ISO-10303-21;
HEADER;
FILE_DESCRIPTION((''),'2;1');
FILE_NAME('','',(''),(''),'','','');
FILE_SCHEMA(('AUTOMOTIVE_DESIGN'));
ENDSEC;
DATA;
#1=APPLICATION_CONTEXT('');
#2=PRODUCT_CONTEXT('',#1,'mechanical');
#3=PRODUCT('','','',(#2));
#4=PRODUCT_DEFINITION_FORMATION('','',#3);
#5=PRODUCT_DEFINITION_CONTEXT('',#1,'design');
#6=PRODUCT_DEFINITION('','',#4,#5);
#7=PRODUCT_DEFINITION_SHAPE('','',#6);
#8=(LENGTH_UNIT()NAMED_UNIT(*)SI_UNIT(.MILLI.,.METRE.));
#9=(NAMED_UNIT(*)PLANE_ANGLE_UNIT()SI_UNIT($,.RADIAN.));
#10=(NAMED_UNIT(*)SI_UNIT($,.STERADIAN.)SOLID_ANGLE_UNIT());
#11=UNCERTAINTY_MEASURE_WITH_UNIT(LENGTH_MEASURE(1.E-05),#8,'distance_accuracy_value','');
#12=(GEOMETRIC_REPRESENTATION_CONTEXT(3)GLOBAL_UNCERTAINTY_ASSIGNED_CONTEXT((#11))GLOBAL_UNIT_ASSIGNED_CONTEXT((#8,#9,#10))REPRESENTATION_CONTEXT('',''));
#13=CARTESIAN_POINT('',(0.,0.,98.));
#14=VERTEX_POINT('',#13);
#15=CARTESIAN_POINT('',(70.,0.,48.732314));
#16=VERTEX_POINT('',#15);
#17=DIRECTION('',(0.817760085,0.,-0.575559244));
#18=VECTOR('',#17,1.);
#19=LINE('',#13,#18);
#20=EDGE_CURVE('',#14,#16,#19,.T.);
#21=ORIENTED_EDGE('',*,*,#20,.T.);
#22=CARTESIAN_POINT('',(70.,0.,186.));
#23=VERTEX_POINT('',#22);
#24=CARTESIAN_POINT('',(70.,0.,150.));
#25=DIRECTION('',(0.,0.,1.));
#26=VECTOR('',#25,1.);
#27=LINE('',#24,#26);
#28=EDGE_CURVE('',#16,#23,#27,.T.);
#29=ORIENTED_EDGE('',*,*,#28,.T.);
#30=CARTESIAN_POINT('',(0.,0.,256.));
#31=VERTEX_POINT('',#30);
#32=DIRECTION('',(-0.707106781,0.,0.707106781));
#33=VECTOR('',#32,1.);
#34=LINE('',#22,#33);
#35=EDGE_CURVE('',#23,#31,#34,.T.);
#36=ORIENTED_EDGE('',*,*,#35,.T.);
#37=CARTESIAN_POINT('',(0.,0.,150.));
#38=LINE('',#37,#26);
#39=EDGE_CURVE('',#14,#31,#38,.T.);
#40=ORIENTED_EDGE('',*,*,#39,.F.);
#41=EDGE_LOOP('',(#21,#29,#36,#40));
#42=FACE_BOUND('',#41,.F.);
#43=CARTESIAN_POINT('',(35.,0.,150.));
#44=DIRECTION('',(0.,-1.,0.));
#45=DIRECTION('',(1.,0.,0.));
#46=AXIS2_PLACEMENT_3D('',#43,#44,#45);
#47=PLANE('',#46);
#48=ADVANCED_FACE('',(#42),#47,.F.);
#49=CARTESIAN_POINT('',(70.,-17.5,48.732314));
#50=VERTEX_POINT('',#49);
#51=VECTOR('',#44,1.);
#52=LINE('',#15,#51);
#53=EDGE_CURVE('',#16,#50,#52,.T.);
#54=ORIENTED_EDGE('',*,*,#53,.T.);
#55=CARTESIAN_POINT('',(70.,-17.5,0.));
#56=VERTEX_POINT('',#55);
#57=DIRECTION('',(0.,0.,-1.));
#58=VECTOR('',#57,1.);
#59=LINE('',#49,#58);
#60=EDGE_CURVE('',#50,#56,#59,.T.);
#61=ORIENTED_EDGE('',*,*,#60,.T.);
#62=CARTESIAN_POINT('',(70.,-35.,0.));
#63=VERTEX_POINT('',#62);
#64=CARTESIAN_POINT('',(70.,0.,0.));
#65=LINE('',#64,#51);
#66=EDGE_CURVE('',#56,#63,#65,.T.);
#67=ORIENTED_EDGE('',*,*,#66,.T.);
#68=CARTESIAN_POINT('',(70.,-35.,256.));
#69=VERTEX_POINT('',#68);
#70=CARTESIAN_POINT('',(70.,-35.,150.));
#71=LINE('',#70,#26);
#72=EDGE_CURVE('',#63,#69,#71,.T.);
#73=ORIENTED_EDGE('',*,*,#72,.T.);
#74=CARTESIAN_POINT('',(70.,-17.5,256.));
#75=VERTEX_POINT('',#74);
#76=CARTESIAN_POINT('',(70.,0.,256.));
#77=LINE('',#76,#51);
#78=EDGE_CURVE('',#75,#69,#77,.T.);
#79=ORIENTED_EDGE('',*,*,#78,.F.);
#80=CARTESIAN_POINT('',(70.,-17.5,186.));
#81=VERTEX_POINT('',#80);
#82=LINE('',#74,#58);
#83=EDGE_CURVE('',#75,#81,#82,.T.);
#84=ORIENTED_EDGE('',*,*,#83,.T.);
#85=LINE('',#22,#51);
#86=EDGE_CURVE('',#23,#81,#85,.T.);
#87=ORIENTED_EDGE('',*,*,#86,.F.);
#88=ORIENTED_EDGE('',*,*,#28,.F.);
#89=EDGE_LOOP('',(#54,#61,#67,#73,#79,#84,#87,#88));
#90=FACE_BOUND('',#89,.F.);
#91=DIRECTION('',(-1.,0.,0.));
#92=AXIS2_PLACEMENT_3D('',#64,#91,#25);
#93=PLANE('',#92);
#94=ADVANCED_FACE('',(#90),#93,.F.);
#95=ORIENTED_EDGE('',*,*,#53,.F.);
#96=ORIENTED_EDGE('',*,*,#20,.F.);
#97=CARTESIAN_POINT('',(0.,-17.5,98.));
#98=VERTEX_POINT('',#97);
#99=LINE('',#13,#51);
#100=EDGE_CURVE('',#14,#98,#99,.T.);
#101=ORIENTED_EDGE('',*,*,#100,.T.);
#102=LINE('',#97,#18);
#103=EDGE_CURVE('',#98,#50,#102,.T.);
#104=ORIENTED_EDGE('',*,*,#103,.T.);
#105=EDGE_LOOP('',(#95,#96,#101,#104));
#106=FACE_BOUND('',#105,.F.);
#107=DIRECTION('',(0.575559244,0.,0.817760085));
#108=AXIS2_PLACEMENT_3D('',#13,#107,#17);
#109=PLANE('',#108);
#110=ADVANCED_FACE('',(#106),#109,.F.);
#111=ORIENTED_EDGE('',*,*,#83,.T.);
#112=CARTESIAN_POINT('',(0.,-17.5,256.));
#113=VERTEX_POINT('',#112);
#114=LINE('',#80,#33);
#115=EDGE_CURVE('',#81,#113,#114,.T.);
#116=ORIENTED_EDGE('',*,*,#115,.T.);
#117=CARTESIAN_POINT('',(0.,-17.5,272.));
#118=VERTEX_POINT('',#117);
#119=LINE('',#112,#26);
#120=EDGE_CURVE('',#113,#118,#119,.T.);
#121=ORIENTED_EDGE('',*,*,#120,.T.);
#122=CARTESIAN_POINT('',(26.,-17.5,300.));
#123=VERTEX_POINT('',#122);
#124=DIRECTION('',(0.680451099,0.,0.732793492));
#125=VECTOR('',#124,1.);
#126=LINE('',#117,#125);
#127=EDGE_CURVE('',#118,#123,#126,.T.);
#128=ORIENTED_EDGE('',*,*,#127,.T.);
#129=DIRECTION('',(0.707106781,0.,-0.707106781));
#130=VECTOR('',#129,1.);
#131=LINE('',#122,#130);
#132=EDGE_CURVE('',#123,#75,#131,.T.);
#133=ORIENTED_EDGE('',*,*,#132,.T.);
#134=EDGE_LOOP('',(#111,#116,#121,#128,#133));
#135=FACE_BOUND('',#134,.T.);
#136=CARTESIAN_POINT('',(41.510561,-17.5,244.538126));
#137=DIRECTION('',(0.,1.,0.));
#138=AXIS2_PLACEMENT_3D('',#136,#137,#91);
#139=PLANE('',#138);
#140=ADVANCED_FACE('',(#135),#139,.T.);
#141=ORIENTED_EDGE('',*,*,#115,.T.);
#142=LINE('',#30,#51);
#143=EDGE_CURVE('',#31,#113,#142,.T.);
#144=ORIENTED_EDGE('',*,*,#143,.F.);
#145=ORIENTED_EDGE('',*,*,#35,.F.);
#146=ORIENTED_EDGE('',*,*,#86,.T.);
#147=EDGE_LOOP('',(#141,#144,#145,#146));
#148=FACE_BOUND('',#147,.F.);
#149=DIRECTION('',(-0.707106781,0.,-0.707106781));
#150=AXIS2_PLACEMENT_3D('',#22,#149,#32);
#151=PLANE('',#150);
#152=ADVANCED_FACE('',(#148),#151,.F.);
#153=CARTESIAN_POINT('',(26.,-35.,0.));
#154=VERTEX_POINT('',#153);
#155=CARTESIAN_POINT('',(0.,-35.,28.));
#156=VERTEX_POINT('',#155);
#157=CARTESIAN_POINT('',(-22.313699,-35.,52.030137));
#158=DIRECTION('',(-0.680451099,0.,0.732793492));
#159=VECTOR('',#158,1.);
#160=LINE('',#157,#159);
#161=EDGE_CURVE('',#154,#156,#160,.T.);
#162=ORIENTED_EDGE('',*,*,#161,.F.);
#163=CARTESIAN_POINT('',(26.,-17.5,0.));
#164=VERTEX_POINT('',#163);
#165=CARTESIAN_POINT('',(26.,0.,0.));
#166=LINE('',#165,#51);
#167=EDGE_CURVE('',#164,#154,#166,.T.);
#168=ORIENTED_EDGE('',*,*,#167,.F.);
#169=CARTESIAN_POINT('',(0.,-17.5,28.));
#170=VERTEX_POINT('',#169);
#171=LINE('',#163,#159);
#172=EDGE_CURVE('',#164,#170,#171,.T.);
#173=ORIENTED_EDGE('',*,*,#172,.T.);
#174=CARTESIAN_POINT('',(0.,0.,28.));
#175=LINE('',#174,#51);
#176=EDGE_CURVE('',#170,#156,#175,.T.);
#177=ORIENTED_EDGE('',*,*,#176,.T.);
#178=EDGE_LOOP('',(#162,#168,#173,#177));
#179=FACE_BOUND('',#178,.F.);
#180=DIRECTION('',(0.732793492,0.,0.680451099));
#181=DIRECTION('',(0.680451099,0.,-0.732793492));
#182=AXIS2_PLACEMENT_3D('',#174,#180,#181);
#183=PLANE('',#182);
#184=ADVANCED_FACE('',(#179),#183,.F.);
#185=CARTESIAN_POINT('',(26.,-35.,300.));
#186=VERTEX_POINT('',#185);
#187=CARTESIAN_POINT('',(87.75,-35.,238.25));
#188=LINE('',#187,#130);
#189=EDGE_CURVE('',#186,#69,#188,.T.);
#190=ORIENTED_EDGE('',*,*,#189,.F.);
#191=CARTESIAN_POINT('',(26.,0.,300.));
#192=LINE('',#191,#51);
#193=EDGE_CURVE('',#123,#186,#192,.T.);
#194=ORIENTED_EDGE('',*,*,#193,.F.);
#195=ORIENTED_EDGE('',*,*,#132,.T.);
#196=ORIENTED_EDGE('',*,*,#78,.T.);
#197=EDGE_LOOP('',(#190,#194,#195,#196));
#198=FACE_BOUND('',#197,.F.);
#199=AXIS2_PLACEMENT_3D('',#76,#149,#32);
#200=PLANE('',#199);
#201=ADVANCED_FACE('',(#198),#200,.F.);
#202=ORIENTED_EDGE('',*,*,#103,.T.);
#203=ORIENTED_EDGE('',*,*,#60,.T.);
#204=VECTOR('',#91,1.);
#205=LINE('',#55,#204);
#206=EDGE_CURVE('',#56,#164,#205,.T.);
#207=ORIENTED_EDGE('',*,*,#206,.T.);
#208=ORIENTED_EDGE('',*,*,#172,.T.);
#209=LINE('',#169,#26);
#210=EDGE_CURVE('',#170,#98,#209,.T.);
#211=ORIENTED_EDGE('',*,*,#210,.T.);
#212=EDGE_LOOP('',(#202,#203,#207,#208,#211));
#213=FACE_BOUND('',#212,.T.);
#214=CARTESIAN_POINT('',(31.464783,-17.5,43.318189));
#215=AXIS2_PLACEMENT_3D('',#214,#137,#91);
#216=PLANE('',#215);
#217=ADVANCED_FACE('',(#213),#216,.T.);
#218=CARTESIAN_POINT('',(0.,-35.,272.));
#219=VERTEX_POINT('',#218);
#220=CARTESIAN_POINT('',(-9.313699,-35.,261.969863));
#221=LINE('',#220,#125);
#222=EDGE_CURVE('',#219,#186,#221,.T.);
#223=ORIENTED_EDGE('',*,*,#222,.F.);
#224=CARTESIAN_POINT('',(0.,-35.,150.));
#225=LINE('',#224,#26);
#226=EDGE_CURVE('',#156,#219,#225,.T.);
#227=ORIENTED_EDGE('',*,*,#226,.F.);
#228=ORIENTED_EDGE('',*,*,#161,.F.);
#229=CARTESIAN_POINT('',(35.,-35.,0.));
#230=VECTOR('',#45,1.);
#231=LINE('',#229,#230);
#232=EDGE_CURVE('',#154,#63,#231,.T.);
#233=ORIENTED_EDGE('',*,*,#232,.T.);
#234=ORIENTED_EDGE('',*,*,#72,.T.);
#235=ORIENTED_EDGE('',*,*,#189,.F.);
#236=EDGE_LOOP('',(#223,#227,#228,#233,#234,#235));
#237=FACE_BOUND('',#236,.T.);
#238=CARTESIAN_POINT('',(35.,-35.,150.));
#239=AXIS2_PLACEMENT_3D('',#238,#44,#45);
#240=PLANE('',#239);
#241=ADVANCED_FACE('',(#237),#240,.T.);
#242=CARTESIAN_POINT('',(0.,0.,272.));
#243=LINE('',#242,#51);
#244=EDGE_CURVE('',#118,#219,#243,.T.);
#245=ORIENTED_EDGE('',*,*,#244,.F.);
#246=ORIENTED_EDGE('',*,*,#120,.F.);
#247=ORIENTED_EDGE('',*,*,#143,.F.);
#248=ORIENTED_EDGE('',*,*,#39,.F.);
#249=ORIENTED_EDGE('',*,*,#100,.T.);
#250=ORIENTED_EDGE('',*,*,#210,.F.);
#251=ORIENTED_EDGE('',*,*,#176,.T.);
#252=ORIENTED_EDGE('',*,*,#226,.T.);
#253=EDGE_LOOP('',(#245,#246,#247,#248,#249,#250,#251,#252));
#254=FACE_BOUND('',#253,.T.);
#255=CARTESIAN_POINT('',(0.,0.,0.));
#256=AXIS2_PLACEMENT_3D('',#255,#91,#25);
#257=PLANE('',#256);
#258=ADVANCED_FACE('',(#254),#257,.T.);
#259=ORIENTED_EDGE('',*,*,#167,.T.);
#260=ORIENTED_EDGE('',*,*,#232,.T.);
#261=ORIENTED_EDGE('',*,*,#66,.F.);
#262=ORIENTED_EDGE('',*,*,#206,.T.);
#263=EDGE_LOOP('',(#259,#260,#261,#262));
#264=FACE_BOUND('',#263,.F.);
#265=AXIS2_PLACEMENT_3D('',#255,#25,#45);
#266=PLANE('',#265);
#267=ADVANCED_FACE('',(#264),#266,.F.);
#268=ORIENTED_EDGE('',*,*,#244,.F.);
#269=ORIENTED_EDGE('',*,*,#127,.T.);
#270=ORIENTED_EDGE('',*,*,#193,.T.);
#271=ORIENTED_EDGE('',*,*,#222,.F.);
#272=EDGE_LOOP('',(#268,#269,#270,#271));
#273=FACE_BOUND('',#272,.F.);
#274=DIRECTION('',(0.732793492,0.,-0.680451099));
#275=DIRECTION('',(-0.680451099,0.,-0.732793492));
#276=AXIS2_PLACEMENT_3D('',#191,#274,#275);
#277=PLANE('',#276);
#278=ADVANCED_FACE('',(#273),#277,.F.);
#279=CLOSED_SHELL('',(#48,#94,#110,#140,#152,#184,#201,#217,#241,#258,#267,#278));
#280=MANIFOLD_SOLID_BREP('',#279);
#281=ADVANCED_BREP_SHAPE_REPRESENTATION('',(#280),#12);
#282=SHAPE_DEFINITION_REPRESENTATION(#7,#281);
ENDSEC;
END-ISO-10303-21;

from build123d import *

# Parameters (mm, degrees)
F0_W     = 70
F0_H     = 300
F1_DEPTH = 35
F3_DEPTH = 35.001
F6_DEPTH = 17.5
F8_DEPTH = 35.001
F9_DEPTH = 17.5


with BuildPart() as f1:
    # F0 (on Front) → F1 (new body)
    with BuildSketch(Plane.XZ):
        with Locations((35, 150)):
            Rectangle(F0_W, F0_H)
    extrude(amount=F1_DEPTH)

    # F2 (on face) → F3 (cut, through all)
    with BuildSketch(Plane(origin=(0, 0, 0), x_dir=(-1, 0, 0), z_dir=(0, 1, 0))):
        Polygon((-26, 300), (-70, 300), (-70, 256), align=None)
        Polygon((0, 300), (-26, 300), (0, 272), align=None)
    extrude(amount=-F3_DEPTH, mode=Mode.SUBTRACT)

    # F5 (on face) → F6 (cut)
    with BuildSketch(Plane(origin=(0, 0, 0), x_dir=(-1, 0, 0), z_dir=(0, 1, 0))):
        Polygon((-70, 256), (-70, 186), (0, 256), (0, 272), (-26, 300), align=None)
    extrude(amount=-F6_DEPTH, mode=Mode.SUBTRACT)

    # F7 (on face) → F8 (cut, through all)
    with BuildSketch(Plane(origin=(0, 0, 0), x_dir=(-1, 0, 0), z_dir=(0, 1, 0))):
        Polygon((0, 0), (0, 28), (-26, 0), align=None)
    extrude(amount=-F8_DEPTH, mode=Mode.SUBTRACT)

    # F7 (on face) → F9 (cut)
    with BuildSketch(Plane(origin=(0, 0, 0), x_dir=(-1, 0, 0), z_dir=(0, 1, 0))):
        Polygon((0, 98), (-70, 48.732314), (-70, 0), (-26, 0), (0, 28), align=None)
    extrude(amount=-F9_DEPTH, mode=Mode.SUBTRACT)


solid = f1.part
